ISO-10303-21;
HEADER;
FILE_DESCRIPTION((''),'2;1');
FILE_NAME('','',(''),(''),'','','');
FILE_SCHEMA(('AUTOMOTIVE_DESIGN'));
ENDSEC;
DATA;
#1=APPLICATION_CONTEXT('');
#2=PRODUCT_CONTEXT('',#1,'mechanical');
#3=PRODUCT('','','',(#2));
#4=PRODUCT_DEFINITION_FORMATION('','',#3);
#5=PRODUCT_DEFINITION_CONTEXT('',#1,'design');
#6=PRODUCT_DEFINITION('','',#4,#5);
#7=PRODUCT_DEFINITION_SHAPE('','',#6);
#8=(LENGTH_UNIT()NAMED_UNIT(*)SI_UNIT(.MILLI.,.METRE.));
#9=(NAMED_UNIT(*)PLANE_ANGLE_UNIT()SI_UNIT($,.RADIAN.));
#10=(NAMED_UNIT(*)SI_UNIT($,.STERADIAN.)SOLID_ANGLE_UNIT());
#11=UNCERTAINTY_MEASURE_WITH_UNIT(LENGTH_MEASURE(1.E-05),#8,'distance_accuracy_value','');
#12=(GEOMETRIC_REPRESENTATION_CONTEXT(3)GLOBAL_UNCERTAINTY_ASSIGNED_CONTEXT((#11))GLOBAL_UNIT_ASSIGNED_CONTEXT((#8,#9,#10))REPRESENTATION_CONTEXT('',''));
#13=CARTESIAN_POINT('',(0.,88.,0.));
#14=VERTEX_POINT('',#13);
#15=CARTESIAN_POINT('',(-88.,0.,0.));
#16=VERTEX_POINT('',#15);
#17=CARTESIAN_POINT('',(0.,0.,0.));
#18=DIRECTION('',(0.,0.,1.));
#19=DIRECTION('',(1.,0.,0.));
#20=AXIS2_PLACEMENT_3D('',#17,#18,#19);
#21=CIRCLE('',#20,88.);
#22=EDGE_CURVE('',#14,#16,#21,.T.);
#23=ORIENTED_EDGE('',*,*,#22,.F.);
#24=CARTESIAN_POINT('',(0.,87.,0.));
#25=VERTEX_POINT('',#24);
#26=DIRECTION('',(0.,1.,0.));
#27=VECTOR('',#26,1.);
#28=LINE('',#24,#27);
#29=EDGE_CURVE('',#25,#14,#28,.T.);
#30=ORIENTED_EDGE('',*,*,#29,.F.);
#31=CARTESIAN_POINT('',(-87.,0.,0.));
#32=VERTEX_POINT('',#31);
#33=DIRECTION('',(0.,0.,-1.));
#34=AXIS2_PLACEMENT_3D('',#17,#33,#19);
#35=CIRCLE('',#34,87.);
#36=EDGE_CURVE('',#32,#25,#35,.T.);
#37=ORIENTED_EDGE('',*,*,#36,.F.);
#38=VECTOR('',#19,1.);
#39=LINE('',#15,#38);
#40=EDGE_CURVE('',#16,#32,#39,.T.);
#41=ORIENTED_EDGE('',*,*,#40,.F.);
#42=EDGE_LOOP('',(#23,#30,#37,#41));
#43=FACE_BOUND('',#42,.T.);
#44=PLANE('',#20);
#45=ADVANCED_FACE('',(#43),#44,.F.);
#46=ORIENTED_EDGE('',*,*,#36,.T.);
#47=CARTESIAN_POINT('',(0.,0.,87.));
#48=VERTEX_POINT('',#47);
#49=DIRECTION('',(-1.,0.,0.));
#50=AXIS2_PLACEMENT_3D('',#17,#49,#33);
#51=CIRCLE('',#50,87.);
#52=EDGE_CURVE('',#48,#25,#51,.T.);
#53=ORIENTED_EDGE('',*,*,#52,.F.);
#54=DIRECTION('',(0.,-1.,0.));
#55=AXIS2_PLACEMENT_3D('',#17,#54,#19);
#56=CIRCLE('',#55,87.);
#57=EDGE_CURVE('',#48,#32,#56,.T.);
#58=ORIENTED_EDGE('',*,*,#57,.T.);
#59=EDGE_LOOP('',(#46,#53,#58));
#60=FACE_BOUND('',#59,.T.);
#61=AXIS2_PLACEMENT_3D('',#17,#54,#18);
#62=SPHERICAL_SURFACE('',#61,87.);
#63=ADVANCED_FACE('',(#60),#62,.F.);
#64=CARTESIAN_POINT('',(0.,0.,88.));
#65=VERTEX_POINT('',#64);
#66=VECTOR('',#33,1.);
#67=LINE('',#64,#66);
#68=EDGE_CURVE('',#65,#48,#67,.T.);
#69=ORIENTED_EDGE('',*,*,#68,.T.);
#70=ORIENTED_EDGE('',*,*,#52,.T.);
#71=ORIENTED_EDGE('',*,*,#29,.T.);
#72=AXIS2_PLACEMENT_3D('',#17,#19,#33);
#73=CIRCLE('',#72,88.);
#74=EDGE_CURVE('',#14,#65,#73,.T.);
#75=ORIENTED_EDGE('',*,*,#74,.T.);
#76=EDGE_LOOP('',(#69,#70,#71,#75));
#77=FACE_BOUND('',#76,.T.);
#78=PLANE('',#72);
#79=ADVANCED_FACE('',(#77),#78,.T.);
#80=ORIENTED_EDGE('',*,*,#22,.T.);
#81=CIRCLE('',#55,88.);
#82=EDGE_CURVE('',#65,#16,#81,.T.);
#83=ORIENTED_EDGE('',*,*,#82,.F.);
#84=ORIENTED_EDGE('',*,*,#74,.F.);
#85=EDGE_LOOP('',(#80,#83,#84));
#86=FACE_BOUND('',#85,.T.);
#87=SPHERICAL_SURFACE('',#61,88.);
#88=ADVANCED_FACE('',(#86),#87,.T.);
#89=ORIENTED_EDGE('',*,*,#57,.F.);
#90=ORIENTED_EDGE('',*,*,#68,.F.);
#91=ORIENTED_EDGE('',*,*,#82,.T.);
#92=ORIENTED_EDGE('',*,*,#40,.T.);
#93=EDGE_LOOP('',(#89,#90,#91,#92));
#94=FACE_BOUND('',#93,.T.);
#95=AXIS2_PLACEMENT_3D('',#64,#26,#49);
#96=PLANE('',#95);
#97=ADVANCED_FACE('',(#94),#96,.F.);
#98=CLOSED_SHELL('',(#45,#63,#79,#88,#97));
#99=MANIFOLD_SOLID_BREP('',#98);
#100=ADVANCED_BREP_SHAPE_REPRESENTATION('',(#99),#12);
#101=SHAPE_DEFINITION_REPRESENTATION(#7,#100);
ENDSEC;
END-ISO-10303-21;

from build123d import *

# Parameters (mm, degrees)
REVOLVE1_ANGLE = 90


with BuildPart() as part:
    # Sketch1 → Revolve1 (revolve)
    with BuildSketch(Plane.XY):
        with BuildLine():
            Line((0, 87), (0, 88))
            ThreePointArc((0, 88), (-62.225396744, 62.225396744), (-88, 0))
            Line((-88, 0), (-87, 0))
            ThreePointArc((-87, 0), (-61.518289963, 61.518289963), (0, 87))
        make_face()
    revolve(axis=Axis((0, 0, 0), (0, 1, 0)), revolution_arc=REVOLVE1_ANGLE)


solid = part.part
